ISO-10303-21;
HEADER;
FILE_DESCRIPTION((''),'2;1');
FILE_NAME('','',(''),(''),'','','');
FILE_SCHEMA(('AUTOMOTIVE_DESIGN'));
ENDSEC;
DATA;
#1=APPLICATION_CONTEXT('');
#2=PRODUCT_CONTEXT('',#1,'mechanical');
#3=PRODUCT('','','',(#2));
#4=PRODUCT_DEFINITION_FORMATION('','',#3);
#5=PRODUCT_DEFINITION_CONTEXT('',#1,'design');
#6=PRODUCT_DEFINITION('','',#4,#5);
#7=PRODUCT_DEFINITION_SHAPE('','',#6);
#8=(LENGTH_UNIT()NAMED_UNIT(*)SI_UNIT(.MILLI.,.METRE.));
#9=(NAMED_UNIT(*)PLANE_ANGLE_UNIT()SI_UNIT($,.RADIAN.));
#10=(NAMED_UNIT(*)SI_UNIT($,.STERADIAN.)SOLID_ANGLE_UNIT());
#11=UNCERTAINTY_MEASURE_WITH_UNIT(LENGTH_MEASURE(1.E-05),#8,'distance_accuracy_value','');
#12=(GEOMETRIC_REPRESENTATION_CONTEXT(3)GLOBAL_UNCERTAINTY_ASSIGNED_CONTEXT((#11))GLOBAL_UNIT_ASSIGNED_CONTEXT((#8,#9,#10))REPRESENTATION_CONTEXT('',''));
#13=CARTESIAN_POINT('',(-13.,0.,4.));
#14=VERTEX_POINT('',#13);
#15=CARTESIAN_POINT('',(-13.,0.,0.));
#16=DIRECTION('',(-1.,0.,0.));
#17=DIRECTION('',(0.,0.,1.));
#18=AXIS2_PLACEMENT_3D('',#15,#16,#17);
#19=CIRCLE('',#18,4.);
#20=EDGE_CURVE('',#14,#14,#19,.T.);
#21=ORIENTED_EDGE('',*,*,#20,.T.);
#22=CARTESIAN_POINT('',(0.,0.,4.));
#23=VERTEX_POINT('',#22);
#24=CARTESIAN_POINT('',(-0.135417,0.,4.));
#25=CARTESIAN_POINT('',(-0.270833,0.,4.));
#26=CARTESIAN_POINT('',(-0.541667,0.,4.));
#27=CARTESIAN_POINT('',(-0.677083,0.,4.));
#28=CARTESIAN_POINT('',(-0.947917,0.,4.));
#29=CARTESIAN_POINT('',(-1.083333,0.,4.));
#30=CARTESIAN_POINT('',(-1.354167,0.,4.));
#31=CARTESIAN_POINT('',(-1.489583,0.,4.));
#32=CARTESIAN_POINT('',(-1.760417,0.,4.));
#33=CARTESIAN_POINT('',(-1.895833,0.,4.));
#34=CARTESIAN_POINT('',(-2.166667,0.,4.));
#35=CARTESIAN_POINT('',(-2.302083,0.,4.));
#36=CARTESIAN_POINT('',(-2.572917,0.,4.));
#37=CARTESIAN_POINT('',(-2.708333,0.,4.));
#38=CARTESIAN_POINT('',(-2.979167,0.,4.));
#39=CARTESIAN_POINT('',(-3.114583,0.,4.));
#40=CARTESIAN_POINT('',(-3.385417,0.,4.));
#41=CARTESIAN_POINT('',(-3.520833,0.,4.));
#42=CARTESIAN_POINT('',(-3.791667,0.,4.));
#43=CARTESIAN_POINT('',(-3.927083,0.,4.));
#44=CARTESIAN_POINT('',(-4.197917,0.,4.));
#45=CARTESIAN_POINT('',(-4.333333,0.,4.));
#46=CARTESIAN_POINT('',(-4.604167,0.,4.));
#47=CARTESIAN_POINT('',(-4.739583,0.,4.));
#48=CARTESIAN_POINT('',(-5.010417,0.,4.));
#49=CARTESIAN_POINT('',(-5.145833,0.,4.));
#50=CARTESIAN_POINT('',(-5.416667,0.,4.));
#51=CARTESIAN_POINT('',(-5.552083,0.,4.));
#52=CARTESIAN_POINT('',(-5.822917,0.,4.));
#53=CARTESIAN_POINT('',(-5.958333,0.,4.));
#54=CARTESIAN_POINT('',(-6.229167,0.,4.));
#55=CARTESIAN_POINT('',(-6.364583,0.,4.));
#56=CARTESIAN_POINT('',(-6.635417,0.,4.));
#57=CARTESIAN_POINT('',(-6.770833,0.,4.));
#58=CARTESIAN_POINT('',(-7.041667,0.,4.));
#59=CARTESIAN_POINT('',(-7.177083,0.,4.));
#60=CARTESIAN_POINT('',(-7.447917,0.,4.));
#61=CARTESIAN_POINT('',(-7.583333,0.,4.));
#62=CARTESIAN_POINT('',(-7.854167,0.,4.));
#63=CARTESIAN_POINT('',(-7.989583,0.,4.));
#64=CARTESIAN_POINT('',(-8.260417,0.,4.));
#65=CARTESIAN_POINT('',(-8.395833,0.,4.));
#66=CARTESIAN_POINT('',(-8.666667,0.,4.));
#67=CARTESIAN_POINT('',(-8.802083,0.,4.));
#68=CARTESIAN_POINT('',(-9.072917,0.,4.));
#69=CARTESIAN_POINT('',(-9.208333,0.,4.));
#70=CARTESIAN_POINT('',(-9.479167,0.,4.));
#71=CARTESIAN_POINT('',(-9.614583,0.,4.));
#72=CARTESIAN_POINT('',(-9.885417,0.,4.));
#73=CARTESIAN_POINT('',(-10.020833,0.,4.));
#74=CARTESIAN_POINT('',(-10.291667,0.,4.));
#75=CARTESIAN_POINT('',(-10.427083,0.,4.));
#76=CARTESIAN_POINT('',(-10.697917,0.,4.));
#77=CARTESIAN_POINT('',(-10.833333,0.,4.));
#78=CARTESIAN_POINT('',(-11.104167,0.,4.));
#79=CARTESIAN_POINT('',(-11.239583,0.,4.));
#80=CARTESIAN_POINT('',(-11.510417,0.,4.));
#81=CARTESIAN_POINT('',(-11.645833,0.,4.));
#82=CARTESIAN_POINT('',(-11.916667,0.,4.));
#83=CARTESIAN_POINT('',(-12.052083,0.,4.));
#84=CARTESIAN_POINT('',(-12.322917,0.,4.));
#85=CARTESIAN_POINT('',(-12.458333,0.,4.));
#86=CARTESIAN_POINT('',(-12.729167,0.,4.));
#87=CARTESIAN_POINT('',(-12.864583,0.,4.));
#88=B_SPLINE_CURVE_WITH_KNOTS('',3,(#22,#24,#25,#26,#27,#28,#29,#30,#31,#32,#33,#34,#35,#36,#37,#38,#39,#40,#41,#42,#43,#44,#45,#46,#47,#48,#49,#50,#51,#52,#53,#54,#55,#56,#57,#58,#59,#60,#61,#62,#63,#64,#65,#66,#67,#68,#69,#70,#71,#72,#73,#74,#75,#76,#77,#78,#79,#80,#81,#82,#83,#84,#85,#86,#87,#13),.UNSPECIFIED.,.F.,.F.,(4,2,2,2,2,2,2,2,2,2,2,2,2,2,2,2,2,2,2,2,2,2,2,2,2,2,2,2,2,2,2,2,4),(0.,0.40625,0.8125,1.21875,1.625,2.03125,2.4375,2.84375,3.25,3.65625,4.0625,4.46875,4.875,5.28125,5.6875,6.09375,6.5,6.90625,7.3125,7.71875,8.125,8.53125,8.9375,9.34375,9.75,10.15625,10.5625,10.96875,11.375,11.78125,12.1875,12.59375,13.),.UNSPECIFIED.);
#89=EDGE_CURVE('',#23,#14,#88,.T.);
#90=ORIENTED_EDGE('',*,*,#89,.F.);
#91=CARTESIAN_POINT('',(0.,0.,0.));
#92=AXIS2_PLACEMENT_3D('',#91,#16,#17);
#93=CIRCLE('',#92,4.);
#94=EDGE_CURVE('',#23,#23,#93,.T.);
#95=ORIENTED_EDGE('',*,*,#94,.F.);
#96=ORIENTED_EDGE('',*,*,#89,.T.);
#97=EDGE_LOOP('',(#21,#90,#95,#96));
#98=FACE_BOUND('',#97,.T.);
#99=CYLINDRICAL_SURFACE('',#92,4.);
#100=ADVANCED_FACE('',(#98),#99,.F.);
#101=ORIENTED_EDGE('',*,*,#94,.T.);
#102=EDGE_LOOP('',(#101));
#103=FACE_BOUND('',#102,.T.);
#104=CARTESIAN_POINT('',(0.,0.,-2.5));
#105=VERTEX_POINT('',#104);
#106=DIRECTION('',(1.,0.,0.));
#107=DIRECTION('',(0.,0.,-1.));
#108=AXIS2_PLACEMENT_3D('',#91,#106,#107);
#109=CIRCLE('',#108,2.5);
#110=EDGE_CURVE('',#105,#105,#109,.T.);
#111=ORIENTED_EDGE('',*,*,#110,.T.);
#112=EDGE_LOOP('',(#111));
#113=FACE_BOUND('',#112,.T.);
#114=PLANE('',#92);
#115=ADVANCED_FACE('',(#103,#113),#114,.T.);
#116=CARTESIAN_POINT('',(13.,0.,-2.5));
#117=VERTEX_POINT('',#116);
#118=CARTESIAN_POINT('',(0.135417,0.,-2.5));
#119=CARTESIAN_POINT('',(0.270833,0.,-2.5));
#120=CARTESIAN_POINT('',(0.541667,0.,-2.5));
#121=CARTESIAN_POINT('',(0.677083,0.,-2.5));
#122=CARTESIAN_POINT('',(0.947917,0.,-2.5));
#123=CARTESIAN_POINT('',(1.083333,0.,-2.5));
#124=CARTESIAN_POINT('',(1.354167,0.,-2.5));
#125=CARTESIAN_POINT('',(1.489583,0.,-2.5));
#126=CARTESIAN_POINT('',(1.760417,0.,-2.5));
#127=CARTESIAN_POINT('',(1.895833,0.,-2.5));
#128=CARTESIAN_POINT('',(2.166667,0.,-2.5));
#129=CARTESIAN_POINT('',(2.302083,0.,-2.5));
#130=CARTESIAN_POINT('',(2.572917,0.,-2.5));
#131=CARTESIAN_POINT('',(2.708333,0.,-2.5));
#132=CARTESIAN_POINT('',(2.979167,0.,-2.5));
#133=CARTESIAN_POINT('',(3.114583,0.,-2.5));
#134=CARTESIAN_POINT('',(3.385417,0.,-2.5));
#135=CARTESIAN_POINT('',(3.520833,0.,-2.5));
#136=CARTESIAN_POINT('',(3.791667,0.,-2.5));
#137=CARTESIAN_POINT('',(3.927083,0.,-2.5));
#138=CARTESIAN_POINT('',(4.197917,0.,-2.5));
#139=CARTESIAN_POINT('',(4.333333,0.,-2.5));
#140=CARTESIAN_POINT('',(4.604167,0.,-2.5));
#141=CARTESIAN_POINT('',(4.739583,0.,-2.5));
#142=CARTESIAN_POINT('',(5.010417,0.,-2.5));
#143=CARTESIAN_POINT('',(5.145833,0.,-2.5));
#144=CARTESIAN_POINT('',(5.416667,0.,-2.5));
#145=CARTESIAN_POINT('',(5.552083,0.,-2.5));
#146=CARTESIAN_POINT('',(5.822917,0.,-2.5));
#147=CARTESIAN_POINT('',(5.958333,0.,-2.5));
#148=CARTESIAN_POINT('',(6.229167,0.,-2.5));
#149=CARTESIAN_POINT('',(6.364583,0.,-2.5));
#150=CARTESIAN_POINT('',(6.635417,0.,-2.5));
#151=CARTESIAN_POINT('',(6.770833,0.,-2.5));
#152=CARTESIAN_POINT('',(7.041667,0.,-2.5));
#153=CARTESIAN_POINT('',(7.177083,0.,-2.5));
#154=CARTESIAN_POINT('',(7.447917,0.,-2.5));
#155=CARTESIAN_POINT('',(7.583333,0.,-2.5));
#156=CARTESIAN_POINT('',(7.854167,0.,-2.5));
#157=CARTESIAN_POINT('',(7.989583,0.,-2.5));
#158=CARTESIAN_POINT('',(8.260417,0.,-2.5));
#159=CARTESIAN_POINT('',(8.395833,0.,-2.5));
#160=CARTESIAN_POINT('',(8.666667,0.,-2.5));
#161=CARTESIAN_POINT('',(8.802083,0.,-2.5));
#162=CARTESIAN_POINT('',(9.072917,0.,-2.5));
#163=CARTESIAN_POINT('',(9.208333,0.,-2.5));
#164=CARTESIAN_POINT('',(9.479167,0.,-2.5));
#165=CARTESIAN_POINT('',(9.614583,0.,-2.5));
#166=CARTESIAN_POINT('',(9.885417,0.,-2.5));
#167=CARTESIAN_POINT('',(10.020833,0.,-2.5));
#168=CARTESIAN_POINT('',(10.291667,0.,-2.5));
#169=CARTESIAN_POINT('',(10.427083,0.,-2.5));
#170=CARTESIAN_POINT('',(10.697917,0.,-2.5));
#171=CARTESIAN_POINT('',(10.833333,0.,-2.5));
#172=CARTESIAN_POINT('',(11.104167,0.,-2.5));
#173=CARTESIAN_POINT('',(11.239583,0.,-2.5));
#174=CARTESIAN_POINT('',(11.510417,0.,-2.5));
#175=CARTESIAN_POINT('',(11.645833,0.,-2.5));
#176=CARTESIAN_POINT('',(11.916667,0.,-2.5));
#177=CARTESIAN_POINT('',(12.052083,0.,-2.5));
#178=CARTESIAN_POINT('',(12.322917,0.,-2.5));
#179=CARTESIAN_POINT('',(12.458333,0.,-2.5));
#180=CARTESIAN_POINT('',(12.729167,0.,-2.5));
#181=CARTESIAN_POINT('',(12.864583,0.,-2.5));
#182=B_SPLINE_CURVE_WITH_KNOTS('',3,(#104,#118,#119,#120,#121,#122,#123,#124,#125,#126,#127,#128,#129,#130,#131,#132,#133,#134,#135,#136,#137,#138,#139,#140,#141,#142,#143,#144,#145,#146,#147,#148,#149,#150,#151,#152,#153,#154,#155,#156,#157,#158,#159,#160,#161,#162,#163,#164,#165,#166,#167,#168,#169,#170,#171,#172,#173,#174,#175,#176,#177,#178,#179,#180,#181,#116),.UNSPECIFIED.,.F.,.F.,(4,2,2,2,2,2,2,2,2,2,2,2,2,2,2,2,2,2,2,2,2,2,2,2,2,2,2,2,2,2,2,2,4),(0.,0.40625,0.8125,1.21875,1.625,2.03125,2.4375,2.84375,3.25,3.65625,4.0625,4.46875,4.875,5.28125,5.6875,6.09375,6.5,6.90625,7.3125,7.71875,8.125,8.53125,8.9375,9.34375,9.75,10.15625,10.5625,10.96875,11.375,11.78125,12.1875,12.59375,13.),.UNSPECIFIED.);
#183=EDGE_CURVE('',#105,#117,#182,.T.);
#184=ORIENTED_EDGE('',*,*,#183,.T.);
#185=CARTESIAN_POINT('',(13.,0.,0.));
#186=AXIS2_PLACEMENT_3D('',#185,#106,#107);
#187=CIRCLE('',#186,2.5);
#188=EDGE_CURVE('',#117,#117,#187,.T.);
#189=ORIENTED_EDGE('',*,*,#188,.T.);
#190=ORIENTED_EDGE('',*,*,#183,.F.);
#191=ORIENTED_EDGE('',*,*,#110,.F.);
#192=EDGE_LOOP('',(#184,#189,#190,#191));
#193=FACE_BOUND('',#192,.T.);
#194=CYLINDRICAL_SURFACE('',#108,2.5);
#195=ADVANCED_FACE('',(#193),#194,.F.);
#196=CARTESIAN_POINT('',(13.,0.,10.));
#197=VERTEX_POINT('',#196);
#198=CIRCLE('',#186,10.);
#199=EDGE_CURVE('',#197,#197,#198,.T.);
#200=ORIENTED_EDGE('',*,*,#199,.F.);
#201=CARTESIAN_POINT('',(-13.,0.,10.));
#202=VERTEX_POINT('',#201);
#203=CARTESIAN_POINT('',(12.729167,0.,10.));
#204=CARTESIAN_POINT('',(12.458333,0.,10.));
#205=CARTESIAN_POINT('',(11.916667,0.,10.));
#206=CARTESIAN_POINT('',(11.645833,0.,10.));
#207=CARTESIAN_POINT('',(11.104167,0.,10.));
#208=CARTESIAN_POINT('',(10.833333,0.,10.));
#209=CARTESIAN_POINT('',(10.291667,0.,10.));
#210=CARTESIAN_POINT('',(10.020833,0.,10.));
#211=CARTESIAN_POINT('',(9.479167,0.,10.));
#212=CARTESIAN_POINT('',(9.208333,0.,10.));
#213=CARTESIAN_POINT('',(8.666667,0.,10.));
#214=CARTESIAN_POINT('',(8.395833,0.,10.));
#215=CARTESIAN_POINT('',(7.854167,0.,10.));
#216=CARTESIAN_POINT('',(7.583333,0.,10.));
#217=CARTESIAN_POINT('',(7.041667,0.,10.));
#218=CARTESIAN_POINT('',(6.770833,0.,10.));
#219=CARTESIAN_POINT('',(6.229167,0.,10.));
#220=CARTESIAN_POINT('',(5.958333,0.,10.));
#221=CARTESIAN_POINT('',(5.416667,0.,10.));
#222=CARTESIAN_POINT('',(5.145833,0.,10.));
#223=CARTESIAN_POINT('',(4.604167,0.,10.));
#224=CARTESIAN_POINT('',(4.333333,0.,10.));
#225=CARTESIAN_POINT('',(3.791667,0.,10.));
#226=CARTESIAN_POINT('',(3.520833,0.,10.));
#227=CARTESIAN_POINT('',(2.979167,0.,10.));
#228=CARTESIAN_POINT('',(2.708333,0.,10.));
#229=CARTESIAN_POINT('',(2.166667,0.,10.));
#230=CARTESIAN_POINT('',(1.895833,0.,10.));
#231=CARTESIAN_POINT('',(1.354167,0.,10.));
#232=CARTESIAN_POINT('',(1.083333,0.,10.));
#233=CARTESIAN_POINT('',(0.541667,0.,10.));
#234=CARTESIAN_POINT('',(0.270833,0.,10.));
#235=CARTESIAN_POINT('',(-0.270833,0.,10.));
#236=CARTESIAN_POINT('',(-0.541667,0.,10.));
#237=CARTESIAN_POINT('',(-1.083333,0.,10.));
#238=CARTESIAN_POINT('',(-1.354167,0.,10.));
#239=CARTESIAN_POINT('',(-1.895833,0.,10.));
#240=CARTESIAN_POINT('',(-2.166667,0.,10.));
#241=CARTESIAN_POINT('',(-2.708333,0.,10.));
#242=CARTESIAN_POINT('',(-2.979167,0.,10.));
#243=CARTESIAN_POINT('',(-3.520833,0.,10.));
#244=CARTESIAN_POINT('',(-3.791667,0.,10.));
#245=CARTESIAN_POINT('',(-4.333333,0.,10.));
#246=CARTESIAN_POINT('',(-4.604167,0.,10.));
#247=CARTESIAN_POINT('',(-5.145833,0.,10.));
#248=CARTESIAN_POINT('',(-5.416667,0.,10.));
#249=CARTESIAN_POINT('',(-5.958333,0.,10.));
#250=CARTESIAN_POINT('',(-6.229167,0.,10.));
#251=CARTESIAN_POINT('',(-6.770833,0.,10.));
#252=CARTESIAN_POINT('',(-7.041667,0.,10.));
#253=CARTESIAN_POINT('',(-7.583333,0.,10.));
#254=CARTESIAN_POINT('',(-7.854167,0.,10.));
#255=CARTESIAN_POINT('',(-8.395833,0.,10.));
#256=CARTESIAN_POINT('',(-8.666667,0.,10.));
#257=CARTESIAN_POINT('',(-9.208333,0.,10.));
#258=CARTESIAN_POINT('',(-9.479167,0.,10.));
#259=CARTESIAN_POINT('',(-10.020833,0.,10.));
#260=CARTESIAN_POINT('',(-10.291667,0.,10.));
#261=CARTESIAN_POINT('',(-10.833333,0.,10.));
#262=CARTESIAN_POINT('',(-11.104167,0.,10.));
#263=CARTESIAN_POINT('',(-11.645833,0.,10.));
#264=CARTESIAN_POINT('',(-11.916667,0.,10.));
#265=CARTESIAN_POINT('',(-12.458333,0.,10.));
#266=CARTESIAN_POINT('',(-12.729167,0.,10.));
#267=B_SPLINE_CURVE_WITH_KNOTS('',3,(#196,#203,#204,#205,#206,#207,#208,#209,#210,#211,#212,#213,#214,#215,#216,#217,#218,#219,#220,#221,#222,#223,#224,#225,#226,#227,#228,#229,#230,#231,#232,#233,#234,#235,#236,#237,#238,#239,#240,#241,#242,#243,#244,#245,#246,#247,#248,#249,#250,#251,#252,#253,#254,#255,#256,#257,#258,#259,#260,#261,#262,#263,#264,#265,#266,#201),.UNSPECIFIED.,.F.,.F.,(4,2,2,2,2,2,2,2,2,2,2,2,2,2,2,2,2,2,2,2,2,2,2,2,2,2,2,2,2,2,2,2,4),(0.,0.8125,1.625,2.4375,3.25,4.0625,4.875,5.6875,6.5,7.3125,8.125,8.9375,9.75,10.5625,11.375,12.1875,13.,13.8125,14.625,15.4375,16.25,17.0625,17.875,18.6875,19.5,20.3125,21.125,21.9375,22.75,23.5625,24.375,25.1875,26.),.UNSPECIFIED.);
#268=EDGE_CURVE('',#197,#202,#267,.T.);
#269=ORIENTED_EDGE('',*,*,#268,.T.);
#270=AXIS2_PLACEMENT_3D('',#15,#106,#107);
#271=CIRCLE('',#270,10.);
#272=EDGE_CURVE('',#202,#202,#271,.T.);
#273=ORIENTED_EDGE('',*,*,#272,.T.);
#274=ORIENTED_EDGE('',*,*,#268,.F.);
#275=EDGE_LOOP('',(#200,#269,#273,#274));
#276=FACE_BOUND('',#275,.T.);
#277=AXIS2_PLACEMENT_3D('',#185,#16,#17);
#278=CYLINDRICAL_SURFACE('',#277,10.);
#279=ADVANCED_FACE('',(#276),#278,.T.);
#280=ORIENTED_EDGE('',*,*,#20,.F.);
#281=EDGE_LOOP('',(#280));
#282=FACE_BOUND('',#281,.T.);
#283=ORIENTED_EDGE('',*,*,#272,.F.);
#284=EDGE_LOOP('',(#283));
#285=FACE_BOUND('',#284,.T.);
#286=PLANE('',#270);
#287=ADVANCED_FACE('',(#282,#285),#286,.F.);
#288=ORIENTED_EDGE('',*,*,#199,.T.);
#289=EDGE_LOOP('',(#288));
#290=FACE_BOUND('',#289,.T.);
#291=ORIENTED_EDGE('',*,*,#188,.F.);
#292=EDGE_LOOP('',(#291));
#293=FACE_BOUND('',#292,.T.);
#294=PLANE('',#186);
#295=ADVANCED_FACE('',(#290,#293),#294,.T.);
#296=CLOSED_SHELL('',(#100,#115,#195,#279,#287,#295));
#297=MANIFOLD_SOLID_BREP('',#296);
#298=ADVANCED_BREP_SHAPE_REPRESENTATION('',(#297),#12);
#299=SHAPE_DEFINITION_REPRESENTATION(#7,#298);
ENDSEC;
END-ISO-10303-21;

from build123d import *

# Parameters (mm, degrees)
SKETCH1_R           = 10
BOSS_EXTRUDE1_DEPTH = 13
SKETCH2_R           = 2.5
CUT_EXTRUDE1_DEPTH  = 13
SKETCH3_R           = 4
CUT_EXTRUDE2_DEPTH  = 13


with BuildPart() as part:
    # Sketch1 → Boss-Extrude1 (new, symmetric)
    with BuildSketch(Plane(origin=(0, 0, 0), x_dir=(0, 0, -1), z_dir=(1, 0, 0))):
        with Locations(Location((0, 0, 0), (0, 0, 180))):
            Circle(SKETCH1_R)
    extrude(amount=BOSS_EXTRUDE1_DEPTH, both=True)

    # Sketch2 → Cut-Extrude1 (cut)
    with BuildSketch(Plane(origin=(13, 0, 0), x_dir=(0, 0, -1), z_dir=(1, 0, 0))):
        Circle(SKETCH2_R)
    extrude(amount=-CUT_EXTRUDE1_DEPTH, mode=Mode.SUBTRACT)

    # Sketch3 → Cut-Extrude2 (cut)
    with BuildSketch(Plane.ZY.offset(13)):
        Circle(SKETCH3_R)
    extrude(amount=-CUT_EXTRUDE2_DEPTH, mode=Mode.SUBTRACT)


solid = part.part
